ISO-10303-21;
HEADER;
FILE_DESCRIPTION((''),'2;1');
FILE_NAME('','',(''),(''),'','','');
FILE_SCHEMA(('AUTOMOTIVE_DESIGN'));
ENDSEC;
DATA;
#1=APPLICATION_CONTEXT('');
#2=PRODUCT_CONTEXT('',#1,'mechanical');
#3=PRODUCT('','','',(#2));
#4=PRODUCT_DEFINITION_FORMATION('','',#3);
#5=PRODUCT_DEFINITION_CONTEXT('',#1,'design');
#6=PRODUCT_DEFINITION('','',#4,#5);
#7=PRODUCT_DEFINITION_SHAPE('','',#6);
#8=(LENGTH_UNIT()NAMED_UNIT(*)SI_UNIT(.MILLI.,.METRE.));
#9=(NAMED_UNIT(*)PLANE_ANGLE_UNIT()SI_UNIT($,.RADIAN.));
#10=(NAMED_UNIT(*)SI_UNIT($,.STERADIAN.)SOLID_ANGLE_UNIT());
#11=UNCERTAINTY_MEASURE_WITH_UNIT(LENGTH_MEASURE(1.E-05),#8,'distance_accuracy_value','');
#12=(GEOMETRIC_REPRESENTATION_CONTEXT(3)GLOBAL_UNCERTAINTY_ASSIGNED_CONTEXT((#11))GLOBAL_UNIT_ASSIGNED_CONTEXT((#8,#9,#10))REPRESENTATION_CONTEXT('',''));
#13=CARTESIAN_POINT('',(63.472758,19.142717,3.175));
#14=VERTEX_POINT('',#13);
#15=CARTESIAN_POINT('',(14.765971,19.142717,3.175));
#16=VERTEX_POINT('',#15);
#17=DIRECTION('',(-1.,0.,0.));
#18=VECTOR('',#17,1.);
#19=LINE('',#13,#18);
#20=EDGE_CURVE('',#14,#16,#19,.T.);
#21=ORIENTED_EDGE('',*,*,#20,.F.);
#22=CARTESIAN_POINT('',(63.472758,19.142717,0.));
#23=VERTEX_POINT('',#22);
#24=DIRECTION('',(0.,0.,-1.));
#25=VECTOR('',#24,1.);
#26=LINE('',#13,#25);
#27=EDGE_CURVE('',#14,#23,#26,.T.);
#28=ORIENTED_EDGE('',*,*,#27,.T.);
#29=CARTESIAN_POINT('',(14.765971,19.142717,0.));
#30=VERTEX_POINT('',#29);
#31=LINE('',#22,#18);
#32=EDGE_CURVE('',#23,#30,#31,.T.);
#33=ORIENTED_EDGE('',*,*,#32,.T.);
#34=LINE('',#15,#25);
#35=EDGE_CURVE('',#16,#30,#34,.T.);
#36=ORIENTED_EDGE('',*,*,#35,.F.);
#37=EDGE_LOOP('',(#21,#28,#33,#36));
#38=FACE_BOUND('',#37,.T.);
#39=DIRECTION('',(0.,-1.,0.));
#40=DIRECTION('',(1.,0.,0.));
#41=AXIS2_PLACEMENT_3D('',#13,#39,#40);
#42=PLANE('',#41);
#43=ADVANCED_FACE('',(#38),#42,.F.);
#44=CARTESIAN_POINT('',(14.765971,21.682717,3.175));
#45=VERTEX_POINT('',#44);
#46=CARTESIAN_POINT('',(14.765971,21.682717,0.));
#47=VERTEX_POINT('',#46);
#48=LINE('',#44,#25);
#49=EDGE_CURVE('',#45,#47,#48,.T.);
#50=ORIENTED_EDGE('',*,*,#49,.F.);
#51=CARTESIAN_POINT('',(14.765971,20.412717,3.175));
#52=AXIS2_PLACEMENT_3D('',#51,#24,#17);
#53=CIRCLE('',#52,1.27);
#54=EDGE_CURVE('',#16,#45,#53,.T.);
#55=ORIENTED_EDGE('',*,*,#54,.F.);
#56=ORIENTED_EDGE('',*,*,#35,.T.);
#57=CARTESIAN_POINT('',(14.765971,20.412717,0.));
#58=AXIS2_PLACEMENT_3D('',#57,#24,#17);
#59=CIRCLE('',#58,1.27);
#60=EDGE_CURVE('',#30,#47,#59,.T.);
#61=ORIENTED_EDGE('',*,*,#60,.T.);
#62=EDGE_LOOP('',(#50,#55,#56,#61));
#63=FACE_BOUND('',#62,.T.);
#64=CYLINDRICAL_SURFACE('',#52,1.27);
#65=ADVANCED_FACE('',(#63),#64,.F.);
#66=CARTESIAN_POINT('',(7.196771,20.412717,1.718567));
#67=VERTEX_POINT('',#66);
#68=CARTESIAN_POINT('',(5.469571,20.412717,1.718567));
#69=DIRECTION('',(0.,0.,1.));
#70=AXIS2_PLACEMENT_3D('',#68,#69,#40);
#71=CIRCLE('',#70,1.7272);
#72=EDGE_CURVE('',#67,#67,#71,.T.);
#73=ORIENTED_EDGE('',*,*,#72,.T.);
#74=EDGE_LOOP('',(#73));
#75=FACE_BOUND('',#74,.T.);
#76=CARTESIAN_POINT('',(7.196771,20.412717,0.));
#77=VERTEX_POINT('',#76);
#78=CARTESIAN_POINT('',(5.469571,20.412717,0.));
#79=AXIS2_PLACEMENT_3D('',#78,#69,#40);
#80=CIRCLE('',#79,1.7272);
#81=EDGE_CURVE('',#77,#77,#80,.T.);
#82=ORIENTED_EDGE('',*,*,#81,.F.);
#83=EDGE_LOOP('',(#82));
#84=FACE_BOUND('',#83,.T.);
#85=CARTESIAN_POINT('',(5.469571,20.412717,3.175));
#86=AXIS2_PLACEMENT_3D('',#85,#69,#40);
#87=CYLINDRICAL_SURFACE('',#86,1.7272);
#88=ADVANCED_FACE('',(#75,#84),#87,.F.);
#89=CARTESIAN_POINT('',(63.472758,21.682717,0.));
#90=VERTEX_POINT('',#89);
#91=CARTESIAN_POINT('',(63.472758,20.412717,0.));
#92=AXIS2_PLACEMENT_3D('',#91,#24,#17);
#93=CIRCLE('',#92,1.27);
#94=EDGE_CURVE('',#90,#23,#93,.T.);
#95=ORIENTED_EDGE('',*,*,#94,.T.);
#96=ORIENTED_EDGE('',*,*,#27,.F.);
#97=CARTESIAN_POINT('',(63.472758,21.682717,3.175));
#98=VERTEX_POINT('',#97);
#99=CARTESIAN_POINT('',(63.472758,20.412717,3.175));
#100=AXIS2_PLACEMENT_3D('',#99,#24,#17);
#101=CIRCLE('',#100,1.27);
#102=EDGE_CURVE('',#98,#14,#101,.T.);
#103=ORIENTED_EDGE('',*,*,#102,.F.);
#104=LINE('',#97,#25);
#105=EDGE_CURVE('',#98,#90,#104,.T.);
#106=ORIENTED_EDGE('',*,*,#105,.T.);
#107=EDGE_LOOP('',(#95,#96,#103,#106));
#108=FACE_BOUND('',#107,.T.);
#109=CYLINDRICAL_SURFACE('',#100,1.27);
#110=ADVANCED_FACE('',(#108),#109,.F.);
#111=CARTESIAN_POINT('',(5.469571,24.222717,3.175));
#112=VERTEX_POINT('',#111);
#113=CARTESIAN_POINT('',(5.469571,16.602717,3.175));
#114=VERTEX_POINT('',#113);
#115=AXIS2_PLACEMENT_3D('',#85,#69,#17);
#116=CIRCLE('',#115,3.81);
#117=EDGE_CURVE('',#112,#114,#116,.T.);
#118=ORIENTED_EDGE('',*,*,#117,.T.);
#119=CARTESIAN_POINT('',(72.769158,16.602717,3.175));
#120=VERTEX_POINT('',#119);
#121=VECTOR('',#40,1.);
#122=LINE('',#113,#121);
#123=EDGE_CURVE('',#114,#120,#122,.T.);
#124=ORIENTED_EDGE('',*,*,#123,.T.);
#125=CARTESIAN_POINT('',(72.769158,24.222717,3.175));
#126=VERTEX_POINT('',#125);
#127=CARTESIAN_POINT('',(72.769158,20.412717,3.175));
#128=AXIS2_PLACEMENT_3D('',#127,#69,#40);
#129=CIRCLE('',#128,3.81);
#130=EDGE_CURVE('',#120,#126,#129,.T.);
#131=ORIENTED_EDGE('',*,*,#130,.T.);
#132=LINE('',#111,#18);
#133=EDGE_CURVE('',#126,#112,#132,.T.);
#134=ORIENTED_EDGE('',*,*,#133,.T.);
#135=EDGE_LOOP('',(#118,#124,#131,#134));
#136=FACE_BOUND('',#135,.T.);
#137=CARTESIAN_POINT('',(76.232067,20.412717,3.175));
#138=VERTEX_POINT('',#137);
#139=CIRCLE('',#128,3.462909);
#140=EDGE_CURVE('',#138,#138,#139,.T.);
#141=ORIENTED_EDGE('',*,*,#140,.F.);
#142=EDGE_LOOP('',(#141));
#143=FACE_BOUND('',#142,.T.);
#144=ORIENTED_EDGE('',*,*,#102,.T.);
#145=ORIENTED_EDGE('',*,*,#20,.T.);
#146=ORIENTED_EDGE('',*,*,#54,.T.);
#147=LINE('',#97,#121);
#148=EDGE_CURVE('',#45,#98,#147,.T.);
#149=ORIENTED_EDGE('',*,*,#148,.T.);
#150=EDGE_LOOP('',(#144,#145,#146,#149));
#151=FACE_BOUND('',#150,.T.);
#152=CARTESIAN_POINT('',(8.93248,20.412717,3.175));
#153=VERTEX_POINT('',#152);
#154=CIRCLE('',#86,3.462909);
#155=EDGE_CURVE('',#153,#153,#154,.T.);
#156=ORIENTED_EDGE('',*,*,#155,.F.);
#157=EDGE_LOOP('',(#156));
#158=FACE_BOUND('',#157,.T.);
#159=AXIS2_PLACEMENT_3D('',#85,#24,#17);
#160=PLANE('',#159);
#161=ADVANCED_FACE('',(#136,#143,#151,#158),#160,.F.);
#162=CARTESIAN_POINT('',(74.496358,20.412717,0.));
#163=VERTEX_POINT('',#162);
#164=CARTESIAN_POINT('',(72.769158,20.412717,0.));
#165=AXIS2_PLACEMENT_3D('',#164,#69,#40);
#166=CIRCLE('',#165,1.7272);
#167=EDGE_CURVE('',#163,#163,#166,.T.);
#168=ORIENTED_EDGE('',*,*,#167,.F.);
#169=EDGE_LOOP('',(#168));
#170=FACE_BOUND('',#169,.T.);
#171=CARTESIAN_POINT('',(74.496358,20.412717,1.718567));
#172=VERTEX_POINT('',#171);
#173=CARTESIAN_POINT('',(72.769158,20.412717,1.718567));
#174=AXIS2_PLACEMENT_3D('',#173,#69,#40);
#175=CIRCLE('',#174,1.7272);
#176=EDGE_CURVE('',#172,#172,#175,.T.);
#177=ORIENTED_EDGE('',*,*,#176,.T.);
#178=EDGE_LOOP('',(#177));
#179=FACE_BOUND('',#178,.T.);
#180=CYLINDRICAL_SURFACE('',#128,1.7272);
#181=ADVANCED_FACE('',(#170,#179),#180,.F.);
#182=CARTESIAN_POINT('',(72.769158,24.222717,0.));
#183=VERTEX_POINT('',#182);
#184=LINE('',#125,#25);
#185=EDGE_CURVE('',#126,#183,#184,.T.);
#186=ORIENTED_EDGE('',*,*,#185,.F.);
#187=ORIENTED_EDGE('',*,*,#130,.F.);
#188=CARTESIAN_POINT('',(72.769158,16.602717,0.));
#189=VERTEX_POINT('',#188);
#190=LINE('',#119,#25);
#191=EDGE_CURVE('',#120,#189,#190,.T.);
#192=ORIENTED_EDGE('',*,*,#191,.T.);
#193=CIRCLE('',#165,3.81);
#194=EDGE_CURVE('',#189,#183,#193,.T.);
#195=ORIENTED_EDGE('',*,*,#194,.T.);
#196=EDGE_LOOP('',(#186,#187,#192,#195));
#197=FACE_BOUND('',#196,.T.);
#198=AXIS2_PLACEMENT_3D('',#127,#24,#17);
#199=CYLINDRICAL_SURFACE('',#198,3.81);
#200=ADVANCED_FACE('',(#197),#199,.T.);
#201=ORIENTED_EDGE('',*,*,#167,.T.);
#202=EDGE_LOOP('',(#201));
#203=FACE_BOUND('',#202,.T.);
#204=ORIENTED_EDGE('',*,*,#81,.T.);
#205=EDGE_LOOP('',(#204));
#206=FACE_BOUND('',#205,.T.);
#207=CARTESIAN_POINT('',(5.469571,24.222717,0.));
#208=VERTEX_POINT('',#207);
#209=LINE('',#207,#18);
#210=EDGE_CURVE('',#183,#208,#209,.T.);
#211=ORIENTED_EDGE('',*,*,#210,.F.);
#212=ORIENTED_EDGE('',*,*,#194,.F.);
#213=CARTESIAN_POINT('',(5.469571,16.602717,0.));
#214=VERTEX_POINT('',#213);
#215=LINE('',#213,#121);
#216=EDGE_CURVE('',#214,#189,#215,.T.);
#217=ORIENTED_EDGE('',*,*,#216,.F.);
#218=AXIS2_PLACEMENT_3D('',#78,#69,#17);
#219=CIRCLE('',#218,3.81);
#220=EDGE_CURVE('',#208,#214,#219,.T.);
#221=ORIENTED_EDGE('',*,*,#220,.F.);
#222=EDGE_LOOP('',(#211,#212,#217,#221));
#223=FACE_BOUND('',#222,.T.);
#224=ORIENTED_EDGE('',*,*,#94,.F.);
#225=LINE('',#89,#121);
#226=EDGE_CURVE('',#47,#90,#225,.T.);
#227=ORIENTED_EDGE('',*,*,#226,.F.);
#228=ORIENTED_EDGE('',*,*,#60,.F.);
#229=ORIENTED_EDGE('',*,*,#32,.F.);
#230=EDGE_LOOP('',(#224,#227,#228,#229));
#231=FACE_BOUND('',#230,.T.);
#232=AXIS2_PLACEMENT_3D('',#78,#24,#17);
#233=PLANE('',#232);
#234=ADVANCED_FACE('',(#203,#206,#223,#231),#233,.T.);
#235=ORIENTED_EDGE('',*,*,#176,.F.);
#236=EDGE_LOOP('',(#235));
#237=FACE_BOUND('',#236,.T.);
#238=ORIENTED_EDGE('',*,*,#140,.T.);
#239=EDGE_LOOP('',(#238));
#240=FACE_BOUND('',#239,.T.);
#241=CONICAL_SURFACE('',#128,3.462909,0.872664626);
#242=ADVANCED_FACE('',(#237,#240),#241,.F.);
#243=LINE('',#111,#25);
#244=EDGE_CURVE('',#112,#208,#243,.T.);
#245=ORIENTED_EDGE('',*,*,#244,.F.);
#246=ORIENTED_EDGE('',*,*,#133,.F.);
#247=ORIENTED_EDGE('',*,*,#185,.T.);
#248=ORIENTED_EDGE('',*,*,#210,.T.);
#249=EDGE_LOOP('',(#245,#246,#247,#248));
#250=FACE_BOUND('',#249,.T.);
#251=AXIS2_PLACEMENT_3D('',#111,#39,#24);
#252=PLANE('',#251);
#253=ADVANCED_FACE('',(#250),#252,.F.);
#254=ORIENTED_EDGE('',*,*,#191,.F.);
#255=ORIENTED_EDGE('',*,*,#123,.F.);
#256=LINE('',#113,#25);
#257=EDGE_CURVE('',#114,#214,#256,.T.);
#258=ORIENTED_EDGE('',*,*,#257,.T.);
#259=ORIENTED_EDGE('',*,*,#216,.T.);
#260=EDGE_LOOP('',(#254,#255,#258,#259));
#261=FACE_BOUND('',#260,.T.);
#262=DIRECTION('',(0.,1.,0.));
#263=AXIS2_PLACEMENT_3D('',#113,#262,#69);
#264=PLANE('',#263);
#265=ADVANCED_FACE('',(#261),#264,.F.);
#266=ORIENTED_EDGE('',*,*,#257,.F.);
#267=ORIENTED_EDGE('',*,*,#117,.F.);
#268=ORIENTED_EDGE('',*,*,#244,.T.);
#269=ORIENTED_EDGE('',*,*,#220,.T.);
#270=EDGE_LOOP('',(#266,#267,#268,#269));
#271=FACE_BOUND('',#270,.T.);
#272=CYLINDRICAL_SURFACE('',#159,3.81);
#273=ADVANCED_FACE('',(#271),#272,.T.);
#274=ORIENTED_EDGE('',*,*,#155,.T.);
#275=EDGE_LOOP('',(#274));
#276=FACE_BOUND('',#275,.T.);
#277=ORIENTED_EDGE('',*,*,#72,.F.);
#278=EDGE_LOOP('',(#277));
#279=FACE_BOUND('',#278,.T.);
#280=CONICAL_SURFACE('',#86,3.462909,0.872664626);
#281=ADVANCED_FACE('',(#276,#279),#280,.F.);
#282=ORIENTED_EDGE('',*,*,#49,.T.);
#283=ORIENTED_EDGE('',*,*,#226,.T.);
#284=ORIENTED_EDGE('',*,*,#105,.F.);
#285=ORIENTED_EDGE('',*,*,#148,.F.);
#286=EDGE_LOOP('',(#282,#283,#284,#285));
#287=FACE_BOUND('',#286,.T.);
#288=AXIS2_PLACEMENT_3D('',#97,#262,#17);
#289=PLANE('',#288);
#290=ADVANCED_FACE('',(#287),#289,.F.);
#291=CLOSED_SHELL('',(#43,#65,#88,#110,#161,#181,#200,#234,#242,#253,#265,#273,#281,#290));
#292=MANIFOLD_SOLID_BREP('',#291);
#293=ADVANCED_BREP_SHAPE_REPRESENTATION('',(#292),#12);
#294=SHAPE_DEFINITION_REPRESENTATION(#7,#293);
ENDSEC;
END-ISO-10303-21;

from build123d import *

# Parameters (mm, degrees)
BOSS_EXTRUDE1_DEPTH                               = 3.175
CSK_FOR_4_FLAT_HEAD_MACHINE_SCREW_100_D           = 3.4544
CSK_FOR_4_FLAT_HEAD_MACHINE_SCREW_100_CSINK_D     = 6.925818
CSK_FOR_4_FLAT_HEAD_MACHINE_SCREW_100_CSINK_ANGLE = 100
CUT_EXTRUDE1_DEPTH                                = 4.175


with BuildPart() as part:
    # Sketch1 → Boss-Extrude1 (new body)
    with BuildSketch(Plane.XY):
        with BuildLine():
            Line((5.469571116, 16.602717302), (72.76915781, 16.602717302))
            ThreePointArc((72.76915781, 16.602717302), (76.57915781, 20.412717302), (72.76915781, 24.222717302))
            Line((72.76915781, 24.222717302), (5.469571116, 24.222717302))
            ThreePointArc((5.469571116, 24.222717302), (1.659571116, 20.412717302), (5.469571116, 16.602717302))
        make_face()
    extrude(amount=BOSS_EXTRUDE1_DEPTH)

    # CSK for #4 Flat Head Machine Screw (100)1 (through all)
    with Locations(Plane.XY.offset(3.175)):
        with Locations((5.469571116, 20.412717302), (72.76915781, 20.412717302)):
            CounterSinkHole(CSK_FOR_4_FLAT_HEAD_MACHINE_SCREW_100_D / 2, CSK_FOR_4_FLAT_HEAD_MACHINE_SCREW_100_CSINK_D / 2, counter_sink_angle=CSK_FOR_4_FLAT_HEAD_MACHINE_SCREW_100_CSINK_ANGLE)

    # Sketch4 → Cut-Extrude1 (cut, through all)
    with BuildSketch(Plane(origin=(0, 0, 0), x_dir=(-1, 0, 0), z_dir=(0, 0, -1))):
        with BuildLine():
            Line((-63.47275781, 21.682717302), (-14.765971116, 21.682717302))
            ThreePointArc((-14.765971116, 21.682717302), (-13.495971116, 20.412717302), (-14.765971116, 19.142717302))
            Line((-14.765971116, 19.142717302), (-63.47275781, 19.142717302))
            ThreePointArc((-63.47275781, 19.142717302), (-64.74275781, 20.412717302), (-63.47275781, 21.682717302))
        make_face()
    extrude(amount=-CUT_EXTRUDE1_DEPTH, mode=Mode.SUBTRACT)


solid = part.part
